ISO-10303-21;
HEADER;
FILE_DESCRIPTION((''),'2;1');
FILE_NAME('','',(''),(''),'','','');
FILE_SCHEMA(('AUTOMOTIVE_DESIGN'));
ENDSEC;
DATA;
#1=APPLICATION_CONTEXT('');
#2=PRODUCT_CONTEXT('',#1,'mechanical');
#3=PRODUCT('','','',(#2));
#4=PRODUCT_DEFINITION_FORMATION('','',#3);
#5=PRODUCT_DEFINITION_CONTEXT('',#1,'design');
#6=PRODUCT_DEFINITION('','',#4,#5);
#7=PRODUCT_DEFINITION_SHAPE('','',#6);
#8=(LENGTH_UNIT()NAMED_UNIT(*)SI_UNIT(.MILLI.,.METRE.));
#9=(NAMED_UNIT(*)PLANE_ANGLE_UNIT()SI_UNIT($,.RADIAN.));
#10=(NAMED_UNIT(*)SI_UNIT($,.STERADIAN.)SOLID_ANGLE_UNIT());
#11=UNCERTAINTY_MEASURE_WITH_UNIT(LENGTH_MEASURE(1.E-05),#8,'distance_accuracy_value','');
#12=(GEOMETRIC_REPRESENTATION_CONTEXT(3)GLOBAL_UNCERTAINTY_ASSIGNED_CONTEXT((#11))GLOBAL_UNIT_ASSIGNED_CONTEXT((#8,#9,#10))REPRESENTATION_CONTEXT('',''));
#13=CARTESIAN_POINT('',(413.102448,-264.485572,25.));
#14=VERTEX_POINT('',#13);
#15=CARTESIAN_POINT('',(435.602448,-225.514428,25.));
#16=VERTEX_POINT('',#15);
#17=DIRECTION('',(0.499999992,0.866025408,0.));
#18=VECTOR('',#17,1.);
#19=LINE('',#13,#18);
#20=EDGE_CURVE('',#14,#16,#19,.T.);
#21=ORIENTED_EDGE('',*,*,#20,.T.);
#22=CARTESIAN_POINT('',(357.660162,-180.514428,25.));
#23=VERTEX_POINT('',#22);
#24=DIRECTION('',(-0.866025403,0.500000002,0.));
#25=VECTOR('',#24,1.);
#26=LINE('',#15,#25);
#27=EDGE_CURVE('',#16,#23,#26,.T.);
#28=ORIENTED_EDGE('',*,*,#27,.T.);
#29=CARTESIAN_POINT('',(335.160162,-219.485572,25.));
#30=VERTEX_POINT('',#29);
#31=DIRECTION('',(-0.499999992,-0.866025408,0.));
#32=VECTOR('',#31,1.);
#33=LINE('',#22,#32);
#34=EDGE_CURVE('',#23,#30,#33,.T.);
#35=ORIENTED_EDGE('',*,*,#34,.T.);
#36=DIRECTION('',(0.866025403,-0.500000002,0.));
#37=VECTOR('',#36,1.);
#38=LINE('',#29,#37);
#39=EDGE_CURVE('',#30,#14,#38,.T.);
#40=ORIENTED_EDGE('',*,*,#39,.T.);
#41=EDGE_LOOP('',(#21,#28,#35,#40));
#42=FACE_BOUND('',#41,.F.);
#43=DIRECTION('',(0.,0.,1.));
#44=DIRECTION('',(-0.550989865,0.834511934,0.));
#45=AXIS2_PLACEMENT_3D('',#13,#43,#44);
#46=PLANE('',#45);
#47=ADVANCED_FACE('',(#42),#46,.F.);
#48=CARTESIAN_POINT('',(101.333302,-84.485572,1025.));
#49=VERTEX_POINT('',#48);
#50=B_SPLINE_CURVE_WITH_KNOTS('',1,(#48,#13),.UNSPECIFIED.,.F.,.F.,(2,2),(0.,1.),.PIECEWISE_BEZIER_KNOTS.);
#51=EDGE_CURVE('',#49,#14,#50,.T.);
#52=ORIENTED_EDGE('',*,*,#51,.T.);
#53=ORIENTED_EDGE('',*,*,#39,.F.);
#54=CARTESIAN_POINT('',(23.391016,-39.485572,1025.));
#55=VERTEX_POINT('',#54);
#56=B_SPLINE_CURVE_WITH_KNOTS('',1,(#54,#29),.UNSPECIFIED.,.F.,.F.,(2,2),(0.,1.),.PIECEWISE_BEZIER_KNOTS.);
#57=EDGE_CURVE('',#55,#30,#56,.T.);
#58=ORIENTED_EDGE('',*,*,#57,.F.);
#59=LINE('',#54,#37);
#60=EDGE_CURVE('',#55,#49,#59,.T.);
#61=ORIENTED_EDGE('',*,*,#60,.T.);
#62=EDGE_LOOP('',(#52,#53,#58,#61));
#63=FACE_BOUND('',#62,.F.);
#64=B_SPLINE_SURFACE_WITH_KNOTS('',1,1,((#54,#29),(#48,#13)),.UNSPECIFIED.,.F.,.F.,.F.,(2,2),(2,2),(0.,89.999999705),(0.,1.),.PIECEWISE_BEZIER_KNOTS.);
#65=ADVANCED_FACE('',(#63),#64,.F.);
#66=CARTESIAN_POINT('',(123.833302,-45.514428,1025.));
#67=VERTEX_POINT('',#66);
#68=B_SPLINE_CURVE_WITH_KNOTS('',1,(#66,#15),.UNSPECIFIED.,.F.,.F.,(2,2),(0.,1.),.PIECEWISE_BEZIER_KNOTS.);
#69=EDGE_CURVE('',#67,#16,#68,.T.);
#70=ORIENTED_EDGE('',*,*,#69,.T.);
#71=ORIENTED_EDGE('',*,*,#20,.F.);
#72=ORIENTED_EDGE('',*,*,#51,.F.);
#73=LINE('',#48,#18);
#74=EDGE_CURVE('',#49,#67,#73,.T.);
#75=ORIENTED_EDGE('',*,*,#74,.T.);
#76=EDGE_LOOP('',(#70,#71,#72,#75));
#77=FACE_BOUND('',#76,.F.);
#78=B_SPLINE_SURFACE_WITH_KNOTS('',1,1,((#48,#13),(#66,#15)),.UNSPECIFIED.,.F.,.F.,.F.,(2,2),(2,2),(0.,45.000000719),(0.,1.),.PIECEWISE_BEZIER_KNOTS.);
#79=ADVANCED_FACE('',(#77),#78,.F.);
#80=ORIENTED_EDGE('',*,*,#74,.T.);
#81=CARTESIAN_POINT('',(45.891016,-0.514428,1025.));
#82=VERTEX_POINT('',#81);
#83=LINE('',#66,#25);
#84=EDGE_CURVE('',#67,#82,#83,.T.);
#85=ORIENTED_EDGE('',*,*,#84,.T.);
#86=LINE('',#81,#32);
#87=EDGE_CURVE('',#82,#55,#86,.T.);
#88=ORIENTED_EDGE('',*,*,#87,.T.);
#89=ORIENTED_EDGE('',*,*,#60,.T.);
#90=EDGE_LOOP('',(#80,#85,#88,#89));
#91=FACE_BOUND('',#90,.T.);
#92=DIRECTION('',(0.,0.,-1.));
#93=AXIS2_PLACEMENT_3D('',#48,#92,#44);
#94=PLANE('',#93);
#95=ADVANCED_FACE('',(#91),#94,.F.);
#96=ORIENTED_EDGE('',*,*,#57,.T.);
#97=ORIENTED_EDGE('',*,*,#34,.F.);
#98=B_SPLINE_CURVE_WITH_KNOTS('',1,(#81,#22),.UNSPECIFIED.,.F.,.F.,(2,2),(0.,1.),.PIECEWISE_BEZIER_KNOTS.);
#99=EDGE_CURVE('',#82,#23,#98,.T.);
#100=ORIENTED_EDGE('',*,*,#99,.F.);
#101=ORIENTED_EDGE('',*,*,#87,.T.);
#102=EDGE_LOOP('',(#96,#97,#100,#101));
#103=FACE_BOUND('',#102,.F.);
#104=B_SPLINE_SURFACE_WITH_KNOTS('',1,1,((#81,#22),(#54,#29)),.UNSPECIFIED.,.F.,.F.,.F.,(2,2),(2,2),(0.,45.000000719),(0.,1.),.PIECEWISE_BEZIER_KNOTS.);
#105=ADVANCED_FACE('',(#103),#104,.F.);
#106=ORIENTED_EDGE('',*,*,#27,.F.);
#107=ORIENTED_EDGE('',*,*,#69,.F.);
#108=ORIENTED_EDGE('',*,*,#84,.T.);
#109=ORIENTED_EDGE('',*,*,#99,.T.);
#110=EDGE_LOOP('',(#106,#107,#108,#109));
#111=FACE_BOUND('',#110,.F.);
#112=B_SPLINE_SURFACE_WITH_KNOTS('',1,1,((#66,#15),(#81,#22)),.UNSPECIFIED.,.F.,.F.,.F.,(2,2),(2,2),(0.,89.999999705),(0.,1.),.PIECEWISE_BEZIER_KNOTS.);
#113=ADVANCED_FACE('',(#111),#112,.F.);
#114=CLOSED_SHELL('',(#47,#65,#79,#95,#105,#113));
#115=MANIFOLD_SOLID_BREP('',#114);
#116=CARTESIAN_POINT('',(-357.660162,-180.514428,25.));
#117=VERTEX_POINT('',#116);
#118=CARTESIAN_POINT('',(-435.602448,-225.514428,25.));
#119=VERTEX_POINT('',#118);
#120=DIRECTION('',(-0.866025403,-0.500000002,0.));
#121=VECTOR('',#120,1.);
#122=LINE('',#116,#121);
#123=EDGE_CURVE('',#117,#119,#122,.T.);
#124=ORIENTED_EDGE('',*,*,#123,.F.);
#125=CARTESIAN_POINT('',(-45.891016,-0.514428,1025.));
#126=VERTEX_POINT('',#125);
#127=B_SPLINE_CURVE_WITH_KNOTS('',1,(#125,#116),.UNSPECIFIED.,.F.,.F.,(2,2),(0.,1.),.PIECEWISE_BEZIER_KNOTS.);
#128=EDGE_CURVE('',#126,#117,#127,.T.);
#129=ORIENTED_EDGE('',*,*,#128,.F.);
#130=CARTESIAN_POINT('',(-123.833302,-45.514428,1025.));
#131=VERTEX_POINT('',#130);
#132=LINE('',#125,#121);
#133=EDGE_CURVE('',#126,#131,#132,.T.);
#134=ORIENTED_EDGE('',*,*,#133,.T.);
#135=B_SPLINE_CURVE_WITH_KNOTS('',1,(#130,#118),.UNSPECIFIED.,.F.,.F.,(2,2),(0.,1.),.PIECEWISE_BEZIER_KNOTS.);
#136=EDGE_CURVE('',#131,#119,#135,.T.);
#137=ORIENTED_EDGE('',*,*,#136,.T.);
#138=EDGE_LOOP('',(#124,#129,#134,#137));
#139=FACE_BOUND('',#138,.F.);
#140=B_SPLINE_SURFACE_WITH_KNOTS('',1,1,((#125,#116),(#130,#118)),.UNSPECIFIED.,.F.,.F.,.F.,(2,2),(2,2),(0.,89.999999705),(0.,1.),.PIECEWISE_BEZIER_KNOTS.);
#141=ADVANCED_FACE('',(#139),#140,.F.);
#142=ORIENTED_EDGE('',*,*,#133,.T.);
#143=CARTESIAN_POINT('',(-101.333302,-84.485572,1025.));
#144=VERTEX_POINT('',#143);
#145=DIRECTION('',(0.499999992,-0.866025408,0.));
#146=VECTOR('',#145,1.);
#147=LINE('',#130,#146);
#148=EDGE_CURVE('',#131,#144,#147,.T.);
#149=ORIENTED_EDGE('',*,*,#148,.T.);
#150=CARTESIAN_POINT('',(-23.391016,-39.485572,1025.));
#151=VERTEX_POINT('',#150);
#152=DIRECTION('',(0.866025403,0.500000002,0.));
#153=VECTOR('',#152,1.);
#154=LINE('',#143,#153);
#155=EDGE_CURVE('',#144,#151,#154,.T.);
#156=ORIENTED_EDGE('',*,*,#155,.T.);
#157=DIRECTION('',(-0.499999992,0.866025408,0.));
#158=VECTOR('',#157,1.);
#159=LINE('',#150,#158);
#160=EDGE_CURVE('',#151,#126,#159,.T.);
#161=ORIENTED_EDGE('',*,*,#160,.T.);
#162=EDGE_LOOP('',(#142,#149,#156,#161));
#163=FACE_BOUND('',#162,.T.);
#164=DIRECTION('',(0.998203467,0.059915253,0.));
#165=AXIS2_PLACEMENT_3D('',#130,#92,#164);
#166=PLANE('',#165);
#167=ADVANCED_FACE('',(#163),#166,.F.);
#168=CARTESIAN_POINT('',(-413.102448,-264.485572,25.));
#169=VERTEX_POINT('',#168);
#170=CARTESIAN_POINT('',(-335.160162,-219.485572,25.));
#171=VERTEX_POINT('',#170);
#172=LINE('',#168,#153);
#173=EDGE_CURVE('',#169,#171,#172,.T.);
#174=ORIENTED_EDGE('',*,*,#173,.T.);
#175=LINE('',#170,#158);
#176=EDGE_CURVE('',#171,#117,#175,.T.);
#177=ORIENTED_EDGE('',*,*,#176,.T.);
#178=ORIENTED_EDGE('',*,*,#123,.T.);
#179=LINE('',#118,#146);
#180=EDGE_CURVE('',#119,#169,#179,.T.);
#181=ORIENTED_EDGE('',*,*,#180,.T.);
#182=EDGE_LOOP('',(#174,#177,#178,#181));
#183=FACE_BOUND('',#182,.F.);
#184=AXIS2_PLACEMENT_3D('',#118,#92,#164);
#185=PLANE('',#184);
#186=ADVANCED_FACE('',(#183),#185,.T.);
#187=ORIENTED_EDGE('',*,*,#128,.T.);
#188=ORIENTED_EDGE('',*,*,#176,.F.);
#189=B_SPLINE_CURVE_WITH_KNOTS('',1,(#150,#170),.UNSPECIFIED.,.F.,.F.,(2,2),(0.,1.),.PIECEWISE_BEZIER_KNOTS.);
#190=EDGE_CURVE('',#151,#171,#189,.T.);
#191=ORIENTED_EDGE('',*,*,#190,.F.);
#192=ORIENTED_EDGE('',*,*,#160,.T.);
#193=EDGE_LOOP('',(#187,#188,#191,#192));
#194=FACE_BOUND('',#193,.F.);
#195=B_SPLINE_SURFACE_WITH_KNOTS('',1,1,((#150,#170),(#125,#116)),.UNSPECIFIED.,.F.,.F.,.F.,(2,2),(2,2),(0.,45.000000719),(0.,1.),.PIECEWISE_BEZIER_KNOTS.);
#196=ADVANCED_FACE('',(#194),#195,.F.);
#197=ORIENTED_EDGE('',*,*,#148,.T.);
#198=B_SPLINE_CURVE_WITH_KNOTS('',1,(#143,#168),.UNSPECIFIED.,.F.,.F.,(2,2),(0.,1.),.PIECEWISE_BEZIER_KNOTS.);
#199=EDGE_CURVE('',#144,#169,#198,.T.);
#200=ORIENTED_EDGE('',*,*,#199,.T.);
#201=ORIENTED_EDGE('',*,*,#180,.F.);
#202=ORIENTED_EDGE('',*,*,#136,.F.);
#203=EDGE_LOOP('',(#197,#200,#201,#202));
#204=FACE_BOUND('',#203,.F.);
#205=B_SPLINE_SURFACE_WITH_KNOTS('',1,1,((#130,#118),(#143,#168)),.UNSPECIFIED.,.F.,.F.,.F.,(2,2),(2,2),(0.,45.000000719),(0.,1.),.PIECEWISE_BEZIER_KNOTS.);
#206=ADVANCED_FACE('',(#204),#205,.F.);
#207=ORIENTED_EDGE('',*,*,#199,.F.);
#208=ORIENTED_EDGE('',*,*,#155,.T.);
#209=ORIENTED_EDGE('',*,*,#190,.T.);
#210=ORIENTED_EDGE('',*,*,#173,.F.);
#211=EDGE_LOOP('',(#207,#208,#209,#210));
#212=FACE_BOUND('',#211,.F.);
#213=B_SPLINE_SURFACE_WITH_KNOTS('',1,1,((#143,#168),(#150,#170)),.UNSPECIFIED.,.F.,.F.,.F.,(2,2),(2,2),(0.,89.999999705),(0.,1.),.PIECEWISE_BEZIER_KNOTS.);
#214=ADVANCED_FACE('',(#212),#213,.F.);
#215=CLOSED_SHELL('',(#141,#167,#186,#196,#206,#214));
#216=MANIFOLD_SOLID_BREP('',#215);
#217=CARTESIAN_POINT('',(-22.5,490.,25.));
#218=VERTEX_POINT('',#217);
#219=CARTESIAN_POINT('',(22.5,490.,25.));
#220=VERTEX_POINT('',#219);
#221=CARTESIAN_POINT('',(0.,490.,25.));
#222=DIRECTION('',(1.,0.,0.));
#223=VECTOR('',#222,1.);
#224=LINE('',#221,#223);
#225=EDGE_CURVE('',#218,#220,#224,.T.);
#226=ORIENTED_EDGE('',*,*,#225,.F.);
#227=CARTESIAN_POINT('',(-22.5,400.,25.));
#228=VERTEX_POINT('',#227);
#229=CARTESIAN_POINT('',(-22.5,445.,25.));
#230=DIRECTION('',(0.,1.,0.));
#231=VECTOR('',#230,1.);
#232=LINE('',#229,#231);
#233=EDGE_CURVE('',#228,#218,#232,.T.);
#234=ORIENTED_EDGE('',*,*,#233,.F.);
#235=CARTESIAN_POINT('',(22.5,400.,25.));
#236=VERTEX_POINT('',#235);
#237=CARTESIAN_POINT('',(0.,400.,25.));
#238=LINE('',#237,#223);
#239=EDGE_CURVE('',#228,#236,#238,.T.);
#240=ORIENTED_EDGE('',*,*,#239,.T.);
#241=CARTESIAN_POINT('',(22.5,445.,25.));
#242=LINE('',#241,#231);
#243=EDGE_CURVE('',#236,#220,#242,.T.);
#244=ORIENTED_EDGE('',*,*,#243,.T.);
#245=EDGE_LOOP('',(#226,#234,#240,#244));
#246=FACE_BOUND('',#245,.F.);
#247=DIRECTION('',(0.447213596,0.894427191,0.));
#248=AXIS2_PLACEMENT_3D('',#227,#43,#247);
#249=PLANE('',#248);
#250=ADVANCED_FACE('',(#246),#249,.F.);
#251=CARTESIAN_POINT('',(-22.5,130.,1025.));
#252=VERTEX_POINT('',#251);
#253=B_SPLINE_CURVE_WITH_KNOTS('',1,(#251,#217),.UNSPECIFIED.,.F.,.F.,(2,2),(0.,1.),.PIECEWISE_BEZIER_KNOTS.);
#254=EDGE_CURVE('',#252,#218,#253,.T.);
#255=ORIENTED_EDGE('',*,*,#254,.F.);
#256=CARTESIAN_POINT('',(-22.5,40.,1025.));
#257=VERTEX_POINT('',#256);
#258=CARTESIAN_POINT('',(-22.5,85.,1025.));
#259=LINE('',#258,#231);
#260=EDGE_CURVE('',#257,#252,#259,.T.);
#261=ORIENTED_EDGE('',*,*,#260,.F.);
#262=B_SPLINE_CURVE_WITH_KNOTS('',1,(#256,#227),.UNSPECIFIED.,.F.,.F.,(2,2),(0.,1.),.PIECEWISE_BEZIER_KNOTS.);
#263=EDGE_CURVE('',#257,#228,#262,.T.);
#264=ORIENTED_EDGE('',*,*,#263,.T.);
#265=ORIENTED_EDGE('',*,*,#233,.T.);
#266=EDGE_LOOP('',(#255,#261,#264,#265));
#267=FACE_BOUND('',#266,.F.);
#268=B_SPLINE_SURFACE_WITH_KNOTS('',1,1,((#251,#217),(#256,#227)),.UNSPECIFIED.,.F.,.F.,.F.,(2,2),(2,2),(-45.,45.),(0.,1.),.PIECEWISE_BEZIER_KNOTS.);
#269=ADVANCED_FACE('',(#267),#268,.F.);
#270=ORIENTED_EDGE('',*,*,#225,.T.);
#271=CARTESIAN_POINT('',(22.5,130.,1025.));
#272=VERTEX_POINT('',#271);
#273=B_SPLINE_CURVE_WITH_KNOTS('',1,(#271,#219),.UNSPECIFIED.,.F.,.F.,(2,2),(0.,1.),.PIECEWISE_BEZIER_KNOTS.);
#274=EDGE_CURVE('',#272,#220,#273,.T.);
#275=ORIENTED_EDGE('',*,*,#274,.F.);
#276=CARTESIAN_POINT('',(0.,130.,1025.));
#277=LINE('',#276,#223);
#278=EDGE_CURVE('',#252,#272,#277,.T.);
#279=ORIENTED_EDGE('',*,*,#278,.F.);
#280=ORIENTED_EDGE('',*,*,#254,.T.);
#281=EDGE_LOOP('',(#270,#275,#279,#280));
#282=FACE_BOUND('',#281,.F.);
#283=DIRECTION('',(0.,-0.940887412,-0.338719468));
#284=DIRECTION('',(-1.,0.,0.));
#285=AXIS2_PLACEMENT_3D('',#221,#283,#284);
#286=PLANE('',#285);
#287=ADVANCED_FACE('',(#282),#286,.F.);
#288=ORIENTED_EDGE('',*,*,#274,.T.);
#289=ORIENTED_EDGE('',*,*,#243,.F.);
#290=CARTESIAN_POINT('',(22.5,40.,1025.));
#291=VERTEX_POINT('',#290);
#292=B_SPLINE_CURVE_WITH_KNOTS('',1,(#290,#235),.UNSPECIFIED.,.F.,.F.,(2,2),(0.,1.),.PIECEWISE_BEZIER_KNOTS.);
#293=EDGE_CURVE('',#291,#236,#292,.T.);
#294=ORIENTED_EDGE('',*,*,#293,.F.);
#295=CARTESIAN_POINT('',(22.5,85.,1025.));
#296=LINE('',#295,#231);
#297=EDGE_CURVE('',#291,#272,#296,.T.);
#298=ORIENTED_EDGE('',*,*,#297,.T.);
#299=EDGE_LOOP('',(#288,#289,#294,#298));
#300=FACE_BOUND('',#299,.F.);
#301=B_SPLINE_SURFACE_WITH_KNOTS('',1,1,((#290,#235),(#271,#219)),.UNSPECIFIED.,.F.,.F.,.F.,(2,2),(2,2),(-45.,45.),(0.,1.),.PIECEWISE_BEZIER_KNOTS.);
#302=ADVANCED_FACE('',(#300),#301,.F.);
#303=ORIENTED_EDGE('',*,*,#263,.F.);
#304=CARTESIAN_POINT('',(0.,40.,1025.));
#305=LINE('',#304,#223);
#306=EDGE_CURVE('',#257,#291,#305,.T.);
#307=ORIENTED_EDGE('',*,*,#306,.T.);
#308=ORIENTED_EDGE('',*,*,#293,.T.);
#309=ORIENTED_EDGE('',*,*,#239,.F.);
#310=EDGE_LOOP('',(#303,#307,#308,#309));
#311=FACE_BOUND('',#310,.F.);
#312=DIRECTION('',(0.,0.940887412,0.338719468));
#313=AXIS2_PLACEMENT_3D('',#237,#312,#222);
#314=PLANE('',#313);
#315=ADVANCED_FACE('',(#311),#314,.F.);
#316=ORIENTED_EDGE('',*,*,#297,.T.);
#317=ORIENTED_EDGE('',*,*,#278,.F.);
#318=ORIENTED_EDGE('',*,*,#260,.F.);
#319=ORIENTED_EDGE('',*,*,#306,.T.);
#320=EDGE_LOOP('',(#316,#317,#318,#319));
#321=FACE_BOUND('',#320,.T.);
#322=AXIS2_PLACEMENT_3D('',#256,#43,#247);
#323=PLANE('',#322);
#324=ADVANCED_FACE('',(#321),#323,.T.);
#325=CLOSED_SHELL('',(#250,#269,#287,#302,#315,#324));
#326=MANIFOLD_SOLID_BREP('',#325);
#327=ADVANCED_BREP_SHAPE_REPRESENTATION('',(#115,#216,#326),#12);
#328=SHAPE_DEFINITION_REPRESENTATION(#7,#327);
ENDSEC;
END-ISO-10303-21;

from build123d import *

# Parameters (mm, degrees)
F3_W = 45
F3_H = 90
F1_W = 45
F1_H = 90


with BuildPart() as f4:
    # F3 (on offset) → F4 section 0
    with BuildSketch(Plane.XY.offset(1025)):
        with Locations((0, 85)):
            Rectangle(F3_W, F3_H)
    # F1 (on offset) → F4 section 1
    with BuildSketch(Plane.XY.offset(25)):
        with Locations((0, 445)):
            Rectangle(F1_W, F1_H)
    loft()


with BuildPart() as f5:
    # F3 (on offset) → F5 section 0
    with BuildSketch(Plane.XY.offset(1025)):
        Polygon((101.333302, -84.485572), (123.833302, -45.514428), (45.891016, -0.514428), (23.391016, -39.485572), align=None)
    # F1 (on offset) → F5 section 1
    with BuildSketch(Plane.XY.offset(25)):
        Polygon((335.160162, -219.485572), (413.102448, -264.485572), (435.602448, -225.514428), (357.660162, -180.514428), align=None)
    loft()


with BuildPart() as f6:
    # F3 (on offset) → F6 section 0
    with BuildSketch(Plane.XY.offset(1025)):
        Polygon((-123.833302, -45.514428), (-101.333302, -84.485572), (-23.391016, -39.485572), (-45.891016, -0.514428), align=None)
    # F1 (on offset) → F6 section 1
    with BuildSketch(Plane.XY.offset(25)):
        Polygon((-357.660162, -180.514428), (-435.602448, -225.514428), (-413.102448, -264.485572), (-335.160162, -219.485572), align=None)
    loft()


solid = Compound([f4.part, f5.part, f6.part])
